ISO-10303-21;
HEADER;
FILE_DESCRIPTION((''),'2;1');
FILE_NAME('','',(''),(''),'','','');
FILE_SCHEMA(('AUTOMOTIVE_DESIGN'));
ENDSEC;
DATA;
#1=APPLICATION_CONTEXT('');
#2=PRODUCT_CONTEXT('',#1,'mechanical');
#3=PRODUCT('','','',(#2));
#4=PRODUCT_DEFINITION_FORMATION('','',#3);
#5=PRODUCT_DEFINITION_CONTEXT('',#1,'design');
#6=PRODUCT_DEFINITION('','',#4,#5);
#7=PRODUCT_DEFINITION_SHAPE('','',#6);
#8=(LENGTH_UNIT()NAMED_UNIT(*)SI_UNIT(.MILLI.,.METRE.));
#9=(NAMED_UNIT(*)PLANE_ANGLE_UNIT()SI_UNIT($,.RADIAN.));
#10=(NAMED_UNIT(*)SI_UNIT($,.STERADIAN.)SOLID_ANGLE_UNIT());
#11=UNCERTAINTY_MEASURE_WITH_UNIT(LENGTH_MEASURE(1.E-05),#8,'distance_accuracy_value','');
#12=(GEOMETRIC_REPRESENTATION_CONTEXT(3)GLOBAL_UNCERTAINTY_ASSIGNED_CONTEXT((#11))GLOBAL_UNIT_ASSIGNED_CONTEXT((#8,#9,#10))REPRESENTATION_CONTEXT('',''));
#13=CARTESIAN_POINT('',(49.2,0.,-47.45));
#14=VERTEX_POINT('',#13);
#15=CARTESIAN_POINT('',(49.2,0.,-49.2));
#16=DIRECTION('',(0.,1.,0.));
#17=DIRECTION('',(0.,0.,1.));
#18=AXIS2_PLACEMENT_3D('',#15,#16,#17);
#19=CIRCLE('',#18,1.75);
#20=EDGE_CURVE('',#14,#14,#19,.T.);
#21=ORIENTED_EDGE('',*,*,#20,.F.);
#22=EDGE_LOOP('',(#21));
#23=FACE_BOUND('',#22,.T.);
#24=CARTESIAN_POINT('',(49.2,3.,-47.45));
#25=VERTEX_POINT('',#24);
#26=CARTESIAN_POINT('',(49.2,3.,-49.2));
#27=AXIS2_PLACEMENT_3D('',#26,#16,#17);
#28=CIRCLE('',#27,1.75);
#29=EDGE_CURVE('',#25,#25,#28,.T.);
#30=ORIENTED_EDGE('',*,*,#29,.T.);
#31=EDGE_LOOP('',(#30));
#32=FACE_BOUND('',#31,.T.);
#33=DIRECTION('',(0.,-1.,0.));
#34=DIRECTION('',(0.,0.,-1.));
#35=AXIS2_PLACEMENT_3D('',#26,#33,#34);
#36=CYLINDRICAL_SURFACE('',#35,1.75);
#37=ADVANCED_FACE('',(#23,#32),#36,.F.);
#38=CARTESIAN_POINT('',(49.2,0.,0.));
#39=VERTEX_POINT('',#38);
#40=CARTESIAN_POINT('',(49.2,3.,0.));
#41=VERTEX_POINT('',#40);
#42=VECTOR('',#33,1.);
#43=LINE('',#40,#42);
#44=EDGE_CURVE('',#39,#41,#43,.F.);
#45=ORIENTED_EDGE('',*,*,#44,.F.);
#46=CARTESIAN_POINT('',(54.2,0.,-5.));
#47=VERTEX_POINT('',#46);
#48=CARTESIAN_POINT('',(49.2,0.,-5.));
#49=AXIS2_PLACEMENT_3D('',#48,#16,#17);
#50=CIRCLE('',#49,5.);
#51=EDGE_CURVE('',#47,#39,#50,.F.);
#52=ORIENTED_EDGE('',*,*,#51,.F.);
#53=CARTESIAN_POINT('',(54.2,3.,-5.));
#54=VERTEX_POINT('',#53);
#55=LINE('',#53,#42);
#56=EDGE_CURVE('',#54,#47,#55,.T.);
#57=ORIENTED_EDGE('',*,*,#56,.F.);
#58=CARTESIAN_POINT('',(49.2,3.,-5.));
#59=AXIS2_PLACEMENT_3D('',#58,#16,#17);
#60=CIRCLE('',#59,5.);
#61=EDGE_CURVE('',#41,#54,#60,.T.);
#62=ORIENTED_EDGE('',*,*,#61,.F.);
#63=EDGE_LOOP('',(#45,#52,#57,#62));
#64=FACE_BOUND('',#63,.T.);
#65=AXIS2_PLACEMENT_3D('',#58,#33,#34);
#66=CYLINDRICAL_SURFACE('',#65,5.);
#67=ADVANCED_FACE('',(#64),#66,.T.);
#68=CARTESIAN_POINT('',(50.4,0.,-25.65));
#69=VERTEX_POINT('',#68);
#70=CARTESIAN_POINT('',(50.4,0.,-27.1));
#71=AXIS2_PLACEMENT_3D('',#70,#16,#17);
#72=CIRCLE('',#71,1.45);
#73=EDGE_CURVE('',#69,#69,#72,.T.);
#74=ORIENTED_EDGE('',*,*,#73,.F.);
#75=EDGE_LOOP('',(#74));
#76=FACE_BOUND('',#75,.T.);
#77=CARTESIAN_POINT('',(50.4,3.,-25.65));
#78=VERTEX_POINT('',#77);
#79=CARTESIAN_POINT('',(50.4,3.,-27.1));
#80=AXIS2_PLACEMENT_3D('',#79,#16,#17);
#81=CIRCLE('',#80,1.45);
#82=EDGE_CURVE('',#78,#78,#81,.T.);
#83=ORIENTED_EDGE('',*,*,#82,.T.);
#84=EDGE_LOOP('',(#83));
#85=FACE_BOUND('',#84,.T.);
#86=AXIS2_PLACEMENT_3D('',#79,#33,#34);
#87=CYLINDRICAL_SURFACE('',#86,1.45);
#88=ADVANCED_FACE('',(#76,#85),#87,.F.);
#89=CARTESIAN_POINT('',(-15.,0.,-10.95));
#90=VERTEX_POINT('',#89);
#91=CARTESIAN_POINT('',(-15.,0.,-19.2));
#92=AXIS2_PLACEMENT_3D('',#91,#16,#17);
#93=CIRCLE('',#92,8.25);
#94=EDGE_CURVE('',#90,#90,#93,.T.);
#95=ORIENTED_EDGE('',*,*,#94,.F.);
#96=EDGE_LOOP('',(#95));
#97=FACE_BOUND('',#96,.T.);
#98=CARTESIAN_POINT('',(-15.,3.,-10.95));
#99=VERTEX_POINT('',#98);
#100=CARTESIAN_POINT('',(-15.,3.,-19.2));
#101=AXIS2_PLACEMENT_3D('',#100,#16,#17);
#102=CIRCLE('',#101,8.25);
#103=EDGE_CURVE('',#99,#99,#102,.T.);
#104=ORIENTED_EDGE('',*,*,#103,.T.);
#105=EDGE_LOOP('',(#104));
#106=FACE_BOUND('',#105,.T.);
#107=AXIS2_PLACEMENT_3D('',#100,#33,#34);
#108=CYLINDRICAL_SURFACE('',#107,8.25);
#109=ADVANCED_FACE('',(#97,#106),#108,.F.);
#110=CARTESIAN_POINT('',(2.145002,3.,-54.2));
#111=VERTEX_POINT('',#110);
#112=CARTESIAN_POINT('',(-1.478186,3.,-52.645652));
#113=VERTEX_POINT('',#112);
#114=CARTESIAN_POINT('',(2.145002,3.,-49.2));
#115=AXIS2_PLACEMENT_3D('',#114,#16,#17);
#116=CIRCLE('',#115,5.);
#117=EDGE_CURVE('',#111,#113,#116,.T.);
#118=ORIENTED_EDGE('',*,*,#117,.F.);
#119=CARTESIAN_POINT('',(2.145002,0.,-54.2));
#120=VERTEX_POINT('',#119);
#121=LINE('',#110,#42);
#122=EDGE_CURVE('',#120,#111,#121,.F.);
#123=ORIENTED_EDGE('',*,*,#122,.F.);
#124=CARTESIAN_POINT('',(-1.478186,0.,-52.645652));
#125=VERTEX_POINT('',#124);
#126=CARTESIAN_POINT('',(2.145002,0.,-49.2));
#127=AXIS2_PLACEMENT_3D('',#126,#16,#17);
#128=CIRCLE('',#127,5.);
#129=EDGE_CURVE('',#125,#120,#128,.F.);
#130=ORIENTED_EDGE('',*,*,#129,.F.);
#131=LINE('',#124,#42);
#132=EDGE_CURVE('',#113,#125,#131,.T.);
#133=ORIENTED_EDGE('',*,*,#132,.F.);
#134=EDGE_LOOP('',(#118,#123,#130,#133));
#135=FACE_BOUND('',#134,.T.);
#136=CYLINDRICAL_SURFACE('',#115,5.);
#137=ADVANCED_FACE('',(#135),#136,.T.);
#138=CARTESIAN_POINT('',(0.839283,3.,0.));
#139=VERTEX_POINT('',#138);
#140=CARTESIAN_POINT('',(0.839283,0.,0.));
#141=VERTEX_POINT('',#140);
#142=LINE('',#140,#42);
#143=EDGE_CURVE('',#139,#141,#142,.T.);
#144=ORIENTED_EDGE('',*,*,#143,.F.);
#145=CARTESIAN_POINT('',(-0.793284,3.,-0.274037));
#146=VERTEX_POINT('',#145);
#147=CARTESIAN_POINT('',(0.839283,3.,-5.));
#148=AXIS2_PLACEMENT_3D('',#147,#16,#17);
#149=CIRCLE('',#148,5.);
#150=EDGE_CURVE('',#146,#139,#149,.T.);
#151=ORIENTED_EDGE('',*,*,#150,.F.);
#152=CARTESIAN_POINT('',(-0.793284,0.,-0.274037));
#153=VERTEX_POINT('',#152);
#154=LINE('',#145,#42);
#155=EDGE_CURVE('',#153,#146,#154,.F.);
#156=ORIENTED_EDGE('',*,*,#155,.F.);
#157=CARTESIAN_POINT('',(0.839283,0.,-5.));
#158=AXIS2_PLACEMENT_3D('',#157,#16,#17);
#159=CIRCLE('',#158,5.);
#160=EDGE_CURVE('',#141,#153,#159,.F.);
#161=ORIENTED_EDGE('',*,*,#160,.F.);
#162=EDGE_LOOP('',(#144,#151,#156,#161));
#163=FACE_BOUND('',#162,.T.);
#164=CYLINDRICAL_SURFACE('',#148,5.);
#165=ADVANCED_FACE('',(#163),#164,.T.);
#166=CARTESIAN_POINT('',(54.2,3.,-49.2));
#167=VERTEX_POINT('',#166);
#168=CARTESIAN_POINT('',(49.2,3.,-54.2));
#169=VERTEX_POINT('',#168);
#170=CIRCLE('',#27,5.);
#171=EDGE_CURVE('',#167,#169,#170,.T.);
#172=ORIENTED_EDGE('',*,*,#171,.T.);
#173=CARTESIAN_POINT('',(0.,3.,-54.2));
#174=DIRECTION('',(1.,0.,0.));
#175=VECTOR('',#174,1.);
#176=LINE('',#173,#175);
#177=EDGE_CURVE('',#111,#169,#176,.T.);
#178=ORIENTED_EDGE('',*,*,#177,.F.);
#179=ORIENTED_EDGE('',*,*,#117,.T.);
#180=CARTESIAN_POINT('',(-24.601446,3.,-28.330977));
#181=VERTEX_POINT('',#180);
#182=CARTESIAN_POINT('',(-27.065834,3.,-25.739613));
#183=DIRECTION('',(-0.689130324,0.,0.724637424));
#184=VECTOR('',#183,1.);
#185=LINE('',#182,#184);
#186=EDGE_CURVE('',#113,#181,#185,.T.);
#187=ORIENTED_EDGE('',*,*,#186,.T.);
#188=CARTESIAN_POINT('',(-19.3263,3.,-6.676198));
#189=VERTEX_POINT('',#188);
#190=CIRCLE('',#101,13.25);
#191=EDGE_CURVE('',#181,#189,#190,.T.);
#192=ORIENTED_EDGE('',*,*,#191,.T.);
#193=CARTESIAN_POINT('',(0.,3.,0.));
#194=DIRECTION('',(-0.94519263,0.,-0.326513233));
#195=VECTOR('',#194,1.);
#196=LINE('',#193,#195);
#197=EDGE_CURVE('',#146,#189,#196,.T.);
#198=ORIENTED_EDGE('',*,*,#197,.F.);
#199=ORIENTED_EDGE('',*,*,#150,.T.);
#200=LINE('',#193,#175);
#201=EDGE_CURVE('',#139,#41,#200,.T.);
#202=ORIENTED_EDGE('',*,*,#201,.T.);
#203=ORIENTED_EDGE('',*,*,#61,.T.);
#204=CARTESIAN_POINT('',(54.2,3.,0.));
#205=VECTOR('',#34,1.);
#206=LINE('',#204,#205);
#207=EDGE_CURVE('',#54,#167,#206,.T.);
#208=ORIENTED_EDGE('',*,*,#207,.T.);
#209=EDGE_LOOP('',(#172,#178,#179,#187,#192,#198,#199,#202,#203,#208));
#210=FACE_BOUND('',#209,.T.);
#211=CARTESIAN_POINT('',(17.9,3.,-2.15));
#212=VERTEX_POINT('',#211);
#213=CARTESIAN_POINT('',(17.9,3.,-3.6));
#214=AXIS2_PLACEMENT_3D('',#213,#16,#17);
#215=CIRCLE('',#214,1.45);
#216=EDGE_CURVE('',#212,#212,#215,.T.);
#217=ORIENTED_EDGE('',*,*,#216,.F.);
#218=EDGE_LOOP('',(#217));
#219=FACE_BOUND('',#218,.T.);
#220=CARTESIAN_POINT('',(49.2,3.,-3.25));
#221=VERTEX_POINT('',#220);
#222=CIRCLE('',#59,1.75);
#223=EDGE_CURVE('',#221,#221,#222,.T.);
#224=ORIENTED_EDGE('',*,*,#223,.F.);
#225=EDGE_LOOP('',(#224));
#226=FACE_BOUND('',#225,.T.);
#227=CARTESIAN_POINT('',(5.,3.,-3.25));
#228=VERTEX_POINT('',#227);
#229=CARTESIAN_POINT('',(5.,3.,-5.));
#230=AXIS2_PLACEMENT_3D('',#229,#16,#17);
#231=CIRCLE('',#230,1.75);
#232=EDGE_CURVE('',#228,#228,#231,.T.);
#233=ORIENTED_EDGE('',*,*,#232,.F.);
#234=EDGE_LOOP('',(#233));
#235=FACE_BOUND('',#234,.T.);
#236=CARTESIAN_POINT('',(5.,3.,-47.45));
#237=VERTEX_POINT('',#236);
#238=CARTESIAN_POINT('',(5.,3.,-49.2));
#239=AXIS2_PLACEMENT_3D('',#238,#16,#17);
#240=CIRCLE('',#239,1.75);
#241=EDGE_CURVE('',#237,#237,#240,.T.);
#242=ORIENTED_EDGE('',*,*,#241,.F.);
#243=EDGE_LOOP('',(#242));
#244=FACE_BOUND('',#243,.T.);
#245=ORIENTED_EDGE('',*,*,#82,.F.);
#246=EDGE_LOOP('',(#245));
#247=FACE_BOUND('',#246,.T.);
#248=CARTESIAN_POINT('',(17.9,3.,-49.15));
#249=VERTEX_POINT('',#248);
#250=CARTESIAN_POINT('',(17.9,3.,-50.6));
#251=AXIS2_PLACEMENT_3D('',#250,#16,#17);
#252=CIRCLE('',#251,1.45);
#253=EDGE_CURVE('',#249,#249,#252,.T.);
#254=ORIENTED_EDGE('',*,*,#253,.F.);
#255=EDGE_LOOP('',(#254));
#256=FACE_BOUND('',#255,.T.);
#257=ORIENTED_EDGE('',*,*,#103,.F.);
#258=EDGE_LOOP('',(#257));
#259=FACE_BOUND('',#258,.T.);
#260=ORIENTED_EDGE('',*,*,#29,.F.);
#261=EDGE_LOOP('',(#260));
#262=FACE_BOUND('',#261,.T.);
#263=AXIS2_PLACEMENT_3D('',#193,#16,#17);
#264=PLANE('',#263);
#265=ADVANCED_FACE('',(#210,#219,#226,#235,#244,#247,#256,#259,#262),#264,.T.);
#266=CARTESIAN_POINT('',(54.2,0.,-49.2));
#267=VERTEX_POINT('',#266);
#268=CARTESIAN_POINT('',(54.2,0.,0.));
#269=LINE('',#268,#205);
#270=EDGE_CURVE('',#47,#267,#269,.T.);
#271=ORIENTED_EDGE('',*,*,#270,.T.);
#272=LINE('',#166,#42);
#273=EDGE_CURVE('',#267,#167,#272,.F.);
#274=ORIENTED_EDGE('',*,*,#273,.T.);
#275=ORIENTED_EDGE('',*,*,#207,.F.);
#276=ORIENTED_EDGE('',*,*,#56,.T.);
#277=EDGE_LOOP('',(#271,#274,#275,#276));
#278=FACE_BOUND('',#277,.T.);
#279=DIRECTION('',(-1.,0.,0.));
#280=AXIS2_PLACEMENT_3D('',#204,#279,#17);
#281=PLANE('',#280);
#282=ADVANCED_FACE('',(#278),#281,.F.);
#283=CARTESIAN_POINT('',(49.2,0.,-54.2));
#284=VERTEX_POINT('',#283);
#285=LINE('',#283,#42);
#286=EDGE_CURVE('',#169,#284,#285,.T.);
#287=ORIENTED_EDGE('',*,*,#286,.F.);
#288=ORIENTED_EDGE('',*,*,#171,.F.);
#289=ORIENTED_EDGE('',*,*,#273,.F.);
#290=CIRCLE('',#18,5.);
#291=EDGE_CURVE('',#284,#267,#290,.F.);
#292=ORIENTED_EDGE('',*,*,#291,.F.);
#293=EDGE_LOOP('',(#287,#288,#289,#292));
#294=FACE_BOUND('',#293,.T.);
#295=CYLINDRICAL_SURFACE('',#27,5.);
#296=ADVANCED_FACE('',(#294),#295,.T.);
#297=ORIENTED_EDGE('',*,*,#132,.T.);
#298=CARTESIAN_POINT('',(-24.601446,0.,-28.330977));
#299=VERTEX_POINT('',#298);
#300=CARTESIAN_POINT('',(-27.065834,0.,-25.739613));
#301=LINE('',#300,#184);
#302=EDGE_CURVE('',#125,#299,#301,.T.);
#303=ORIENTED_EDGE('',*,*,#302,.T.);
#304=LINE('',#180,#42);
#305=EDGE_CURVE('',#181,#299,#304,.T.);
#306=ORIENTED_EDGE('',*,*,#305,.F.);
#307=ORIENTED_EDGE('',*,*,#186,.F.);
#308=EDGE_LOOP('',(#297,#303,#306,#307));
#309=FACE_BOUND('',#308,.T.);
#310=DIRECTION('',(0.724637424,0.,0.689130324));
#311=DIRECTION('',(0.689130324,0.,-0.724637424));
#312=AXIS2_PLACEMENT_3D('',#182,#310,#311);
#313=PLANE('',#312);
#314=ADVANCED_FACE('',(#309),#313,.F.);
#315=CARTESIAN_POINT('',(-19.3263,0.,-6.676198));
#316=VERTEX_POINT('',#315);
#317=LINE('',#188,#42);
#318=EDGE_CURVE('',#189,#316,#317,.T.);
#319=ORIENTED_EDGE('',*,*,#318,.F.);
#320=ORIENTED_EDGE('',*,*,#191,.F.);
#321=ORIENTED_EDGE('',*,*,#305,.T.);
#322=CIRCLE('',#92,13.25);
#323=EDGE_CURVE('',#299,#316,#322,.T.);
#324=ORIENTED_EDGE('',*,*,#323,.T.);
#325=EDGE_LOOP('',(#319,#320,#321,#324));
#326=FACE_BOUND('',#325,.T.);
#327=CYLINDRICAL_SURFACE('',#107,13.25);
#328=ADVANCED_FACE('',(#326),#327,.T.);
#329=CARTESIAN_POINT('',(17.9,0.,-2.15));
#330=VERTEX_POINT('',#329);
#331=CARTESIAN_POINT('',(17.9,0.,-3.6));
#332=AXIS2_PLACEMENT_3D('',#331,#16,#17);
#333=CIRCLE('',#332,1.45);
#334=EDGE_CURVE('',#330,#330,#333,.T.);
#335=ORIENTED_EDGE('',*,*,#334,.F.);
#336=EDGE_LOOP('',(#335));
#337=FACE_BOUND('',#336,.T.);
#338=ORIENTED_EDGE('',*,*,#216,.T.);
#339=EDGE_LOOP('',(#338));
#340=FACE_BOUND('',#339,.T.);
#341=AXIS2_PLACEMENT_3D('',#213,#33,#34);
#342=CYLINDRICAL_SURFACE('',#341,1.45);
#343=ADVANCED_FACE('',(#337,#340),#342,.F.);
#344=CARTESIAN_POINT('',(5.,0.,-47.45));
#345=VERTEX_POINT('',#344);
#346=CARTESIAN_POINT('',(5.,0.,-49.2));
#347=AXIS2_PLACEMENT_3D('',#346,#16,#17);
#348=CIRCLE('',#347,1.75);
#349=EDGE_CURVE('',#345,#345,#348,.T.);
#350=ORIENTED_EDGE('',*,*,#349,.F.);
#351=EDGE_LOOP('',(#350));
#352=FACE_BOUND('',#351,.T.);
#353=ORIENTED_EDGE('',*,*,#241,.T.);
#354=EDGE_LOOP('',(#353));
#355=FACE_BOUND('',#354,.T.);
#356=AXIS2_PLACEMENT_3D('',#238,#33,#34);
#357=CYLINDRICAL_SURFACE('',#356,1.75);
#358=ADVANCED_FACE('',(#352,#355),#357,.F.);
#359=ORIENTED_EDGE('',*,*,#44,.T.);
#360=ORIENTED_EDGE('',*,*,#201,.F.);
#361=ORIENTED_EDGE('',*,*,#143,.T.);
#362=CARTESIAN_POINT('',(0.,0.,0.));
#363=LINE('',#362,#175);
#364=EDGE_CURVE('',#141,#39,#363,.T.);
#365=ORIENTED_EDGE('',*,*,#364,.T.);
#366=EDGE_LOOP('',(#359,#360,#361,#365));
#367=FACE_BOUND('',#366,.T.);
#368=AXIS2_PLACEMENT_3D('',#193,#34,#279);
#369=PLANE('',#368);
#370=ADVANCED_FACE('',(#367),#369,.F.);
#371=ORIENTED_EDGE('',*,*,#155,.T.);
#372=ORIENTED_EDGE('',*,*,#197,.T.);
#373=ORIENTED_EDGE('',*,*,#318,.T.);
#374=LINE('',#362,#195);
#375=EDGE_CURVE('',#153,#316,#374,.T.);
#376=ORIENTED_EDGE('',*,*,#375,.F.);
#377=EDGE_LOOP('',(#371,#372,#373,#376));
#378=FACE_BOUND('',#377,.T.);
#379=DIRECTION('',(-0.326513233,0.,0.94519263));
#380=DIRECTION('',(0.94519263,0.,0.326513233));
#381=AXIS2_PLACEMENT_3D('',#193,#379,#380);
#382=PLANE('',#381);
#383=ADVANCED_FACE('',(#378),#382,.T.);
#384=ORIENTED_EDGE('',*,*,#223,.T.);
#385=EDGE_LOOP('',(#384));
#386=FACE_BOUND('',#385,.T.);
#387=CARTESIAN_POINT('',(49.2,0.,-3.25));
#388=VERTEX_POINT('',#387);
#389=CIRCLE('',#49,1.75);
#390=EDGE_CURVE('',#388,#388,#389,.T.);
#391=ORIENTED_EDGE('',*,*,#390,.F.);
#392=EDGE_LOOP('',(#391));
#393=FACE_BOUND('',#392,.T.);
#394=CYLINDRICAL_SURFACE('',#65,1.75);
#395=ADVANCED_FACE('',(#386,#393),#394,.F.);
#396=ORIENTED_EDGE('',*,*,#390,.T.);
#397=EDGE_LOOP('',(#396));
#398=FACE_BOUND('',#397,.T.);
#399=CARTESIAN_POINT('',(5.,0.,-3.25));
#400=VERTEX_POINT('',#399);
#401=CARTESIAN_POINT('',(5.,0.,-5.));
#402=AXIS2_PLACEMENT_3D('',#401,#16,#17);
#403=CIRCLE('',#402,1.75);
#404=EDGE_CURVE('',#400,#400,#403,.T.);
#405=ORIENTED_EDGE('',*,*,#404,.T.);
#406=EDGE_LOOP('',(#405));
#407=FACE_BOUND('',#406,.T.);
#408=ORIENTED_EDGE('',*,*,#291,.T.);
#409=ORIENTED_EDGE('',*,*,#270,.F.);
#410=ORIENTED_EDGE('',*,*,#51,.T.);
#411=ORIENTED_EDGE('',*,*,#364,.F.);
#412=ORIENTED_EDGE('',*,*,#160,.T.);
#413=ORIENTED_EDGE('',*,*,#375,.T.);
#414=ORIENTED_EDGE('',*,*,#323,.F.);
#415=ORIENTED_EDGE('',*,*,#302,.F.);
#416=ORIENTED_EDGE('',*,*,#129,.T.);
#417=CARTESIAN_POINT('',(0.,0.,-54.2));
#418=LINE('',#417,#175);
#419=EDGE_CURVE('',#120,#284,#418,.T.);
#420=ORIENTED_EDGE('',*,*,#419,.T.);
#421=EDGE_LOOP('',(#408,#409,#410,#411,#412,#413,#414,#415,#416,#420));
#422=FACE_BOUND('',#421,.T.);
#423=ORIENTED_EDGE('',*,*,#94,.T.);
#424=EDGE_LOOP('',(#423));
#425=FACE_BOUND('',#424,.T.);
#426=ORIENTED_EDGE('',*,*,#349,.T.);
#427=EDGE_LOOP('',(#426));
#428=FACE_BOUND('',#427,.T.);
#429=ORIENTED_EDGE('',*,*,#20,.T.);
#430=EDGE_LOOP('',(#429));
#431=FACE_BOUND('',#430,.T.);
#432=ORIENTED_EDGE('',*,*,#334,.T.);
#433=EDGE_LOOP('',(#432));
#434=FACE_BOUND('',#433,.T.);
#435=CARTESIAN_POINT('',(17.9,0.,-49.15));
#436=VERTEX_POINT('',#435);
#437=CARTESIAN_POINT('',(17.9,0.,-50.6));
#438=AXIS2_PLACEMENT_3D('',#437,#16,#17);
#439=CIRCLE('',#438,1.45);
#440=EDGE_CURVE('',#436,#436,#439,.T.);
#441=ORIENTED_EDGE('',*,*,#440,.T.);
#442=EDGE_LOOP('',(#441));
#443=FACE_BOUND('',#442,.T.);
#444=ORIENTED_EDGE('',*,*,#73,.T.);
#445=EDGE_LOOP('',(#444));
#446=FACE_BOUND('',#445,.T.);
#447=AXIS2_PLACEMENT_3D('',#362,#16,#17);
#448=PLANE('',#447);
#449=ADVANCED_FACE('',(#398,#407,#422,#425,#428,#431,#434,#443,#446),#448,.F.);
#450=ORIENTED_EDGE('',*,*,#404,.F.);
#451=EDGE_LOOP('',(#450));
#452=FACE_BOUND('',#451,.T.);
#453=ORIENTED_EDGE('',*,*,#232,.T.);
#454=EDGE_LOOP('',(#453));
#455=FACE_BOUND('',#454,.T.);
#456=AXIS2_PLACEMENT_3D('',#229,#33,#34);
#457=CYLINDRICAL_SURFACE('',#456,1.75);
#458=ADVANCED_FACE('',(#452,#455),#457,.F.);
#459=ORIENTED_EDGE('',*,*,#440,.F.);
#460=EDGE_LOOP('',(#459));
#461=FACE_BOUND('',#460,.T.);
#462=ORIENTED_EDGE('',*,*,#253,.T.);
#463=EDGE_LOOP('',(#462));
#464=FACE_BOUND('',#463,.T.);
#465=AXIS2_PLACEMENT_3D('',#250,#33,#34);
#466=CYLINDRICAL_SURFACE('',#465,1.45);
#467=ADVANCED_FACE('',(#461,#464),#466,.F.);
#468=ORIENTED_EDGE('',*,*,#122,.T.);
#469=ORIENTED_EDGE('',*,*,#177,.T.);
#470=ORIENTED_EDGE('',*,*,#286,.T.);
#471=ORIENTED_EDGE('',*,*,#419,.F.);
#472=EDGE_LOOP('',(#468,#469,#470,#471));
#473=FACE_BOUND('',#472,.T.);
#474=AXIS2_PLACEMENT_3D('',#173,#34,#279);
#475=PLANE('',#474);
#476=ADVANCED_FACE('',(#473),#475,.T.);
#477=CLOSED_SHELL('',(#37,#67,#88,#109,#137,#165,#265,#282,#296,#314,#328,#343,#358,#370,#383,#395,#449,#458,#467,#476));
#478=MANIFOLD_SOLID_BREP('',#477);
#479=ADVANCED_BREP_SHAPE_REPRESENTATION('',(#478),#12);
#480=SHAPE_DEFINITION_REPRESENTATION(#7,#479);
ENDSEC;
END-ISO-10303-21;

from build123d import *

# Parameters (mm, degrees)
SKETCH1_R           = 1.75
SKETCH1_R_2         = 1.45
SKETCH1_R_3         = 8.25
BOSS_EXTRUDE1_DEPTH = 3
FILLET1_R           = 5


with BuildPart() as part:
    # Sketch1 → Boss-Extrude1 (new body)
    with BuildSketch(Plane(origin=(0, 0, 0), x_dir=(1, 0, 0), z_dir=(0, 1, 0))):
        with BuildLine():
            Line((54.2, 54.2), (0, 54.2))
            Line((0, 54.2), (-24.601445865, 28.330976799))
            ThreePointArc((-24.601445865, 28.330976799), (-27.87353462, 16.063982402), (-19.326300343, 6.676197648))
            Line((-19.326300343, 6.676197648), (0, 0))
            Line((0, 0), (54.2, 0))
            Line((54.2, 0), (54.2, 54.2))
        make_face()
        with Locations((5, 5)):
            Circle(SKETCH1_R, mode=Mode.SUBTRACT)
        with Locations((17.9, 3.6)):
            Circle(SKETCH1_R_2, mode=Mode.SUBTRACT)
        with Locations((49.2, 5)):
            Circle(SKETCH1_R, mode=Mode.SUBTRACT)
        with Locations((5, 49.2)):
            Circle(SKETCH1_R, mode=Mode.SUBTRACT)
        with Locations((50.4, 27.1)):
            Circle(SKETCH1_R_2, mode=Mode.SUBTRACT)
        with Locations((17.9, 50.6)):
            Circle(SKETCH1_R_2, mode=Mode.SUBTRACT)
        with Locations((49.2, 49.2)):
            Circle(SKETCH1_R, mode=Mode.SUBTRACT)
        with Locations((-15, 19.2)):
            Circle(SKETCH1_R_3, mode=Mode.SUBTRACT)
    extrude(amount=BOSS_EXTRUDE1_DEPTH)

    # Fillet1
    fillet1_edges = [part.edges().sort_by_distance(p)[0] for p in [
        (0, 1.5, 0),
        (0, 1.5, -54.2),
        (54.2, 1.5, -54.2),
        (54.2, 1.5, 0),
    ]]
    fillet(fillet1_edges, radius=FILLET1_R)


solid = part.part
